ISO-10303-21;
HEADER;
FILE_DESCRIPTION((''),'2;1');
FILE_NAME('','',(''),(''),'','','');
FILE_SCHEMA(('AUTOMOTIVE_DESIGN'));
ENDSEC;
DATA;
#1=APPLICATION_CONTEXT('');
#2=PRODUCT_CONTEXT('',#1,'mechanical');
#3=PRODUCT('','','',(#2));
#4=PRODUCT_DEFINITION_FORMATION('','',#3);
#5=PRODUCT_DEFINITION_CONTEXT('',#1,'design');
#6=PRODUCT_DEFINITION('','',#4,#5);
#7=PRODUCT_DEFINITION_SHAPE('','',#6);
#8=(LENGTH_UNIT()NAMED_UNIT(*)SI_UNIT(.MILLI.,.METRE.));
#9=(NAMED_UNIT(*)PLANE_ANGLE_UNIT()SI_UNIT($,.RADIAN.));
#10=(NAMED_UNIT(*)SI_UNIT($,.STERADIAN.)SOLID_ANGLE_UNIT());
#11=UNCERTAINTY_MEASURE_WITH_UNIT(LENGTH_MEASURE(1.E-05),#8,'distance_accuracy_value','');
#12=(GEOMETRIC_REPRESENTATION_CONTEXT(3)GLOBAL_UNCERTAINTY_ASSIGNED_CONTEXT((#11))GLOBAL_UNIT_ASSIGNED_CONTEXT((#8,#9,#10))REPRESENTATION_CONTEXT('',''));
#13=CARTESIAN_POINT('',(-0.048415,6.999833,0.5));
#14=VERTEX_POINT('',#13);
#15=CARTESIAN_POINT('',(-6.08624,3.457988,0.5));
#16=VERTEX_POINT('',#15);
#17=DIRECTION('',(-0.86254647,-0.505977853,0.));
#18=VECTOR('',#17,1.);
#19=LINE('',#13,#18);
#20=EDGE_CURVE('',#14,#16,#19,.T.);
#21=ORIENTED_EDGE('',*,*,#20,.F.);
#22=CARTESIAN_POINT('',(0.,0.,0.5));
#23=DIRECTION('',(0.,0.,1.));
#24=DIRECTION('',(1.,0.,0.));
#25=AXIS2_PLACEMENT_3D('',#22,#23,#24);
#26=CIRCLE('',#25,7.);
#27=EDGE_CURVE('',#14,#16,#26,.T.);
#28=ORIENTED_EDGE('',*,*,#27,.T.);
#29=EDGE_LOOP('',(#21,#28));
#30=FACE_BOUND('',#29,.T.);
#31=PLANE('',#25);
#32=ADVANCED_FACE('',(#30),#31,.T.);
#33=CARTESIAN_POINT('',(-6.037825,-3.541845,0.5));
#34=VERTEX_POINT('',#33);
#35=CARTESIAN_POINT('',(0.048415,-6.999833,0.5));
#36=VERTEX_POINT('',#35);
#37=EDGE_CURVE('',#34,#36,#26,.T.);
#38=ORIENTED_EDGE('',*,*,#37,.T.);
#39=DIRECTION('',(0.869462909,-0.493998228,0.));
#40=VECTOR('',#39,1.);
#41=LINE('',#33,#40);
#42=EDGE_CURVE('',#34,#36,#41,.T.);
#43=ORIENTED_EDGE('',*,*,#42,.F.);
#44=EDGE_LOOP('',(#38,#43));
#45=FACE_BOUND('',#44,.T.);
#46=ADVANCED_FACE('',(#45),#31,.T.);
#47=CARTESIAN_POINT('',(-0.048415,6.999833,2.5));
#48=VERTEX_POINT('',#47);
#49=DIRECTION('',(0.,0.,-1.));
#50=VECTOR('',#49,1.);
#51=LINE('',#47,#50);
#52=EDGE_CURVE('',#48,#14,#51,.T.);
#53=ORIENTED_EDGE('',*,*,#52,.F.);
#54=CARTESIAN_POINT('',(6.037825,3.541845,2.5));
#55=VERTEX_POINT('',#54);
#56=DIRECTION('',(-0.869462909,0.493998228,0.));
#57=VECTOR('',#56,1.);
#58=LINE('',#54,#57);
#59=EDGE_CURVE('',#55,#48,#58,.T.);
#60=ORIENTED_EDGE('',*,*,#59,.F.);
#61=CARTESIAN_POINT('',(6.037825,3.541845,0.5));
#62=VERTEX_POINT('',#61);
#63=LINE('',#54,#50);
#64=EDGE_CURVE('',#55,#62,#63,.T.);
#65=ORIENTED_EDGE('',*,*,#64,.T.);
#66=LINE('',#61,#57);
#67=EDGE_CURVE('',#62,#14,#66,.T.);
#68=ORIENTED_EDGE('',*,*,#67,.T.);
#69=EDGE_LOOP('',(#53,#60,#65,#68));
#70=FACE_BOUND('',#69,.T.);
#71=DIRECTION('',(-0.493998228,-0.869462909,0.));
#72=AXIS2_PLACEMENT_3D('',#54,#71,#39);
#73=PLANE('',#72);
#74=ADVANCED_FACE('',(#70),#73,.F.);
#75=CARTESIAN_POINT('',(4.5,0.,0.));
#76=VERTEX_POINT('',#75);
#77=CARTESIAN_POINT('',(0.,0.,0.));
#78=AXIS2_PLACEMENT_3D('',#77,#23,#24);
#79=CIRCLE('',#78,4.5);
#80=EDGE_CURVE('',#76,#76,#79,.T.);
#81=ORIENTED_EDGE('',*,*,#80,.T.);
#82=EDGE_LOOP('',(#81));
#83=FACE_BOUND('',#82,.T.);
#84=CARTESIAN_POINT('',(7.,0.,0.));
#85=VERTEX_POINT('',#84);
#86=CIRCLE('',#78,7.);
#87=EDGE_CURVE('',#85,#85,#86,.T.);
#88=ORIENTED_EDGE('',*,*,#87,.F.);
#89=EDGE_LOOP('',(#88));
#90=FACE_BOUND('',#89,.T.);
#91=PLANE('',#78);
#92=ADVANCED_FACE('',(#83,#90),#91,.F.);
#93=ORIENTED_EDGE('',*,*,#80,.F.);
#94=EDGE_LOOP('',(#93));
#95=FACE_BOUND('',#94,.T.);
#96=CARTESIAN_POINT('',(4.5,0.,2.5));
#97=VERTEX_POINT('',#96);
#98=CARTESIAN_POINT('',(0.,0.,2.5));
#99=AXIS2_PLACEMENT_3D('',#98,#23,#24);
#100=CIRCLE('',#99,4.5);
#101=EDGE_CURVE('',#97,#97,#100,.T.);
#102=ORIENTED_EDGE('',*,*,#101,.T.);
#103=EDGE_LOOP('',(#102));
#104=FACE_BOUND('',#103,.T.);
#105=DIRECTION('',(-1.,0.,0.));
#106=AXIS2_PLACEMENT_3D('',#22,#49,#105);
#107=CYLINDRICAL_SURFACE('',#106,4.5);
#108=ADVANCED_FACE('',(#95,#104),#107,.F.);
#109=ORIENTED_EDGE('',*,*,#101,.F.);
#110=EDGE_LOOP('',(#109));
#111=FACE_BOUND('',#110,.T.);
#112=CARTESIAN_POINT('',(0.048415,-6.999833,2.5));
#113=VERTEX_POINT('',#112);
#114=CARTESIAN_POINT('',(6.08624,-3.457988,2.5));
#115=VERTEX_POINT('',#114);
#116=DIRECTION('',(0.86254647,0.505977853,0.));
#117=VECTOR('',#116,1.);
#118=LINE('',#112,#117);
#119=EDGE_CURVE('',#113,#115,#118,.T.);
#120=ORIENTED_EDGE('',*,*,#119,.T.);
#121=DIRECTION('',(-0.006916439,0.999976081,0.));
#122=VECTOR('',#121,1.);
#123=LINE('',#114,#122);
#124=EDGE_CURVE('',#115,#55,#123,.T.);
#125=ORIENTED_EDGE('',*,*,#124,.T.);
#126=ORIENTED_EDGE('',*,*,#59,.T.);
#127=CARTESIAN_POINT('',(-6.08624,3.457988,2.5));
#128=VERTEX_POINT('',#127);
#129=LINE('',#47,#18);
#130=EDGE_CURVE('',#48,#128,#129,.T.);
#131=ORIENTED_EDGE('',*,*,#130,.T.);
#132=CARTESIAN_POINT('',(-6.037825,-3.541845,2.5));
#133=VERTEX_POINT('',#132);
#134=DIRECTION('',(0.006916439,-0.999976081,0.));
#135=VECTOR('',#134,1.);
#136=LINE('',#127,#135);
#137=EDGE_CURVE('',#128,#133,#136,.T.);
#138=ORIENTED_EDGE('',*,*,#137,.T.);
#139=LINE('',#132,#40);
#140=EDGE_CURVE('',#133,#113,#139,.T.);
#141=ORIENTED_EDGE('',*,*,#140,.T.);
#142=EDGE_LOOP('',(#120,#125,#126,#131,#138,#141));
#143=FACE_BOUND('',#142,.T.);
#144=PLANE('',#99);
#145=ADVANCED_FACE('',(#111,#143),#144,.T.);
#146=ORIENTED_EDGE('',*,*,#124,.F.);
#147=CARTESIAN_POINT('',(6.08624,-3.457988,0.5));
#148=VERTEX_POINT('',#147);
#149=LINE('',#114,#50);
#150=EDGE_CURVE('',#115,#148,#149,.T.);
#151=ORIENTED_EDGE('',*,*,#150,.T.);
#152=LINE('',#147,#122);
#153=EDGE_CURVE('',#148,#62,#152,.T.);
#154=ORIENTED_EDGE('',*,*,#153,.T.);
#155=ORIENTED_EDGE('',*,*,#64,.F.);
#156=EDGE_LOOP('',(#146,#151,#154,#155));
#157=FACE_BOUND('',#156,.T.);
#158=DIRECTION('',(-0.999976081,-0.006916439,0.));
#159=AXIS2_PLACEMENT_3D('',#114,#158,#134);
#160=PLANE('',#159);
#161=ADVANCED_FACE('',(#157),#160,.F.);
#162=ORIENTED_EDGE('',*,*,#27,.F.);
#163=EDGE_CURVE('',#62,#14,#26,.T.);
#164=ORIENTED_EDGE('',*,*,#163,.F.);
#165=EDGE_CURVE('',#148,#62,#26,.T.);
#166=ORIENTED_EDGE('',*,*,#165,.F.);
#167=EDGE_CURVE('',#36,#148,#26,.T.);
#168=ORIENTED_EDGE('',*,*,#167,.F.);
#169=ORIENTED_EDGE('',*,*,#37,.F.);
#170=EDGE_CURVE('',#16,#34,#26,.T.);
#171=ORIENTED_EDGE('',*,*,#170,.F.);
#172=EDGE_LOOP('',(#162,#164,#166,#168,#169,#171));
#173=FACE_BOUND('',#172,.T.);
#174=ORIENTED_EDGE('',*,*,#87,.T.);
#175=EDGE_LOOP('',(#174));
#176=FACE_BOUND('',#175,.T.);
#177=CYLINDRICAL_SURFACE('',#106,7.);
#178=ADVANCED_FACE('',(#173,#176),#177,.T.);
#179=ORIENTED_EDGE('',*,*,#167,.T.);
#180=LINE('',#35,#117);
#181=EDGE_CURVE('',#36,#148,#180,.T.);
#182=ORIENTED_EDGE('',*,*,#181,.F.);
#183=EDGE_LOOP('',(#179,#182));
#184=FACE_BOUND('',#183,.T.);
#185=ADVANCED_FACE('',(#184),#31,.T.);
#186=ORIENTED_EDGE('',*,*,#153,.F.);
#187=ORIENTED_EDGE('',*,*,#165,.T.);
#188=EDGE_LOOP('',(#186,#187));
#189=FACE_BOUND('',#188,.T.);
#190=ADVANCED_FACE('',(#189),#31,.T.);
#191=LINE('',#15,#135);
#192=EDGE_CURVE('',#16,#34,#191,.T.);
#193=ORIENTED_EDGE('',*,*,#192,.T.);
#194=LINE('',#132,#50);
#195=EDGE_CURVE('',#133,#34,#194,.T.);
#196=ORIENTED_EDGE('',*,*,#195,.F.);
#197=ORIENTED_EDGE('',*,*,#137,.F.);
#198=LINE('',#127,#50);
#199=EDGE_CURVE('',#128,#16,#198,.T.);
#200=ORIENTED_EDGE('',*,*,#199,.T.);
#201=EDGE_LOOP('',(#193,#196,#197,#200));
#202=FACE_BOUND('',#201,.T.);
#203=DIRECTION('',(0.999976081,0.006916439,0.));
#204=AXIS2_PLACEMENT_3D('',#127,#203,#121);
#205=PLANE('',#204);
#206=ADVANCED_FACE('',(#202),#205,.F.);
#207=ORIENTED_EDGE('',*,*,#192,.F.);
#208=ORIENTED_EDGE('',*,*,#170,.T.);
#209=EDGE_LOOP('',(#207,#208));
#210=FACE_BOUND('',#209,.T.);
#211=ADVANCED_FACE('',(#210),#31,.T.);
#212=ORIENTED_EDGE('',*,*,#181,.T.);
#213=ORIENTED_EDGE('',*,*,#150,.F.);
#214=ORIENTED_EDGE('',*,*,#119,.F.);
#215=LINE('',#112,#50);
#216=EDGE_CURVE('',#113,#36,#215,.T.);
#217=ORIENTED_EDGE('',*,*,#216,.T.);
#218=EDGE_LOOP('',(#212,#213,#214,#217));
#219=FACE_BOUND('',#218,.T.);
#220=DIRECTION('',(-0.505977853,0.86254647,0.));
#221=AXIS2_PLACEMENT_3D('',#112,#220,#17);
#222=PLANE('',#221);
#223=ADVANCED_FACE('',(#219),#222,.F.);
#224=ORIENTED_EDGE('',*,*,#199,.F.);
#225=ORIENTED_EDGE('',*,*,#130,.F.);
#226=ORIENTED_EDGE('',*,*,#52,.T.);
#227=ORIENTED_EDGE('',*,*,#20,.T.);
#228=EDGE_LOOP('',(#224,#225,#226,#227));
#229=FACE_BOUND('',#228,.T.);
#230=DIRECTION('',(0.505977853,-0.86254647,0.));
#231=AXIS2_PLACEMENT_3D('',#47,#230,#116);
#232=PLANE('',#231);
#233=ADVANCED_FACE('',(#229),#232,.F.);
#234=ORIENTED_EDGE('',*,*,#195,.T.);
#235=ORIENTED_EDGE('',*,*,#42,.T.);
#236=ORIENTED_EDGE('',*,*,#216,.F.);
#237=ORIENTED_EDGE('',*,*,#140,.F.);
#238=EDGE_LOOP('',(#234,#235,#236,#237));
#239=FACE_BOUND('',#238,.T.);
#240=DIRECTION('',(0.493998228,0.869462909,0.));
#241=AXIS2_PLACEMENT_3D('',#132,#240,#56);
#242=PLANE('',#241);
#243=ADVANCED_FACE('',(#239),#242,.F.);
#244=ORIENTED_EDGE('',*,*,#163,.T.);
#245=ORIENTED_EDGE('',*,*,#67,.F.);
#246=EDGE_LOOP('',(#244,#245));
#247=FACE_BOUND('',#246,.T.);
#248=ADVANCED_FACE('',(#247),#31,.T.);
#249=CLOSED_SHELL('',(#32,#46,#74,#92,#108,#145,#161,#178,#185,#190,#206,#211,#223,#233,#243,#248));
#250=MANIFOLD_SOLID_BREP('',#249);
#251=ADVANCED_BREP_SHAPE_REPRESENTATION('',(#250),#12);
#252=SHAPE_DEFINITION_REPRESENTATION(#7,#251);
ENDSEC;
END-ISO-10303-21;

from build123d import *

# Parameters (mm, degrees)
ESQUISSE1_R        = 7
ESQUISSE1_R_2      = 4.5
BOSS_EXTRU_1_DEPTH = 0.5
ESQUISSE2_R        = 4.5
BOSS_EXTRU_2_DEPTH = 2


with BuildPart() as part:
    # Esquisse1 → Boss.-Extru.1 (new body)
    with BuildSketch(Plane.XY):
        Circle(ESQUISSE1_R)
        Circle(ESQUISSE1_R_2, mode=Mode.SUBTRACT)
    extrude(amount=BOSS_EXTRU_1_DEPTH)

    # Esquisse2 → Boss.-Extru.2 (add)
    with BuildSketch(Plane.XY.offset(0.5)):
        Polygon((6.086240364, -3.457987599), (6.037825289, 3.541844969), (-0.048415075, 6.999832568), (-6.086240364, 3.457987599), (-6.037825289, -3.541844969), (0.048415075, -6.999832568), align=None)
        Circle(ESQUISSE2_R, mode=Mode.SUBTRACT)
    extrude(amount=BOSS_EXTRU_2_DEPTH)


solid = part.part
